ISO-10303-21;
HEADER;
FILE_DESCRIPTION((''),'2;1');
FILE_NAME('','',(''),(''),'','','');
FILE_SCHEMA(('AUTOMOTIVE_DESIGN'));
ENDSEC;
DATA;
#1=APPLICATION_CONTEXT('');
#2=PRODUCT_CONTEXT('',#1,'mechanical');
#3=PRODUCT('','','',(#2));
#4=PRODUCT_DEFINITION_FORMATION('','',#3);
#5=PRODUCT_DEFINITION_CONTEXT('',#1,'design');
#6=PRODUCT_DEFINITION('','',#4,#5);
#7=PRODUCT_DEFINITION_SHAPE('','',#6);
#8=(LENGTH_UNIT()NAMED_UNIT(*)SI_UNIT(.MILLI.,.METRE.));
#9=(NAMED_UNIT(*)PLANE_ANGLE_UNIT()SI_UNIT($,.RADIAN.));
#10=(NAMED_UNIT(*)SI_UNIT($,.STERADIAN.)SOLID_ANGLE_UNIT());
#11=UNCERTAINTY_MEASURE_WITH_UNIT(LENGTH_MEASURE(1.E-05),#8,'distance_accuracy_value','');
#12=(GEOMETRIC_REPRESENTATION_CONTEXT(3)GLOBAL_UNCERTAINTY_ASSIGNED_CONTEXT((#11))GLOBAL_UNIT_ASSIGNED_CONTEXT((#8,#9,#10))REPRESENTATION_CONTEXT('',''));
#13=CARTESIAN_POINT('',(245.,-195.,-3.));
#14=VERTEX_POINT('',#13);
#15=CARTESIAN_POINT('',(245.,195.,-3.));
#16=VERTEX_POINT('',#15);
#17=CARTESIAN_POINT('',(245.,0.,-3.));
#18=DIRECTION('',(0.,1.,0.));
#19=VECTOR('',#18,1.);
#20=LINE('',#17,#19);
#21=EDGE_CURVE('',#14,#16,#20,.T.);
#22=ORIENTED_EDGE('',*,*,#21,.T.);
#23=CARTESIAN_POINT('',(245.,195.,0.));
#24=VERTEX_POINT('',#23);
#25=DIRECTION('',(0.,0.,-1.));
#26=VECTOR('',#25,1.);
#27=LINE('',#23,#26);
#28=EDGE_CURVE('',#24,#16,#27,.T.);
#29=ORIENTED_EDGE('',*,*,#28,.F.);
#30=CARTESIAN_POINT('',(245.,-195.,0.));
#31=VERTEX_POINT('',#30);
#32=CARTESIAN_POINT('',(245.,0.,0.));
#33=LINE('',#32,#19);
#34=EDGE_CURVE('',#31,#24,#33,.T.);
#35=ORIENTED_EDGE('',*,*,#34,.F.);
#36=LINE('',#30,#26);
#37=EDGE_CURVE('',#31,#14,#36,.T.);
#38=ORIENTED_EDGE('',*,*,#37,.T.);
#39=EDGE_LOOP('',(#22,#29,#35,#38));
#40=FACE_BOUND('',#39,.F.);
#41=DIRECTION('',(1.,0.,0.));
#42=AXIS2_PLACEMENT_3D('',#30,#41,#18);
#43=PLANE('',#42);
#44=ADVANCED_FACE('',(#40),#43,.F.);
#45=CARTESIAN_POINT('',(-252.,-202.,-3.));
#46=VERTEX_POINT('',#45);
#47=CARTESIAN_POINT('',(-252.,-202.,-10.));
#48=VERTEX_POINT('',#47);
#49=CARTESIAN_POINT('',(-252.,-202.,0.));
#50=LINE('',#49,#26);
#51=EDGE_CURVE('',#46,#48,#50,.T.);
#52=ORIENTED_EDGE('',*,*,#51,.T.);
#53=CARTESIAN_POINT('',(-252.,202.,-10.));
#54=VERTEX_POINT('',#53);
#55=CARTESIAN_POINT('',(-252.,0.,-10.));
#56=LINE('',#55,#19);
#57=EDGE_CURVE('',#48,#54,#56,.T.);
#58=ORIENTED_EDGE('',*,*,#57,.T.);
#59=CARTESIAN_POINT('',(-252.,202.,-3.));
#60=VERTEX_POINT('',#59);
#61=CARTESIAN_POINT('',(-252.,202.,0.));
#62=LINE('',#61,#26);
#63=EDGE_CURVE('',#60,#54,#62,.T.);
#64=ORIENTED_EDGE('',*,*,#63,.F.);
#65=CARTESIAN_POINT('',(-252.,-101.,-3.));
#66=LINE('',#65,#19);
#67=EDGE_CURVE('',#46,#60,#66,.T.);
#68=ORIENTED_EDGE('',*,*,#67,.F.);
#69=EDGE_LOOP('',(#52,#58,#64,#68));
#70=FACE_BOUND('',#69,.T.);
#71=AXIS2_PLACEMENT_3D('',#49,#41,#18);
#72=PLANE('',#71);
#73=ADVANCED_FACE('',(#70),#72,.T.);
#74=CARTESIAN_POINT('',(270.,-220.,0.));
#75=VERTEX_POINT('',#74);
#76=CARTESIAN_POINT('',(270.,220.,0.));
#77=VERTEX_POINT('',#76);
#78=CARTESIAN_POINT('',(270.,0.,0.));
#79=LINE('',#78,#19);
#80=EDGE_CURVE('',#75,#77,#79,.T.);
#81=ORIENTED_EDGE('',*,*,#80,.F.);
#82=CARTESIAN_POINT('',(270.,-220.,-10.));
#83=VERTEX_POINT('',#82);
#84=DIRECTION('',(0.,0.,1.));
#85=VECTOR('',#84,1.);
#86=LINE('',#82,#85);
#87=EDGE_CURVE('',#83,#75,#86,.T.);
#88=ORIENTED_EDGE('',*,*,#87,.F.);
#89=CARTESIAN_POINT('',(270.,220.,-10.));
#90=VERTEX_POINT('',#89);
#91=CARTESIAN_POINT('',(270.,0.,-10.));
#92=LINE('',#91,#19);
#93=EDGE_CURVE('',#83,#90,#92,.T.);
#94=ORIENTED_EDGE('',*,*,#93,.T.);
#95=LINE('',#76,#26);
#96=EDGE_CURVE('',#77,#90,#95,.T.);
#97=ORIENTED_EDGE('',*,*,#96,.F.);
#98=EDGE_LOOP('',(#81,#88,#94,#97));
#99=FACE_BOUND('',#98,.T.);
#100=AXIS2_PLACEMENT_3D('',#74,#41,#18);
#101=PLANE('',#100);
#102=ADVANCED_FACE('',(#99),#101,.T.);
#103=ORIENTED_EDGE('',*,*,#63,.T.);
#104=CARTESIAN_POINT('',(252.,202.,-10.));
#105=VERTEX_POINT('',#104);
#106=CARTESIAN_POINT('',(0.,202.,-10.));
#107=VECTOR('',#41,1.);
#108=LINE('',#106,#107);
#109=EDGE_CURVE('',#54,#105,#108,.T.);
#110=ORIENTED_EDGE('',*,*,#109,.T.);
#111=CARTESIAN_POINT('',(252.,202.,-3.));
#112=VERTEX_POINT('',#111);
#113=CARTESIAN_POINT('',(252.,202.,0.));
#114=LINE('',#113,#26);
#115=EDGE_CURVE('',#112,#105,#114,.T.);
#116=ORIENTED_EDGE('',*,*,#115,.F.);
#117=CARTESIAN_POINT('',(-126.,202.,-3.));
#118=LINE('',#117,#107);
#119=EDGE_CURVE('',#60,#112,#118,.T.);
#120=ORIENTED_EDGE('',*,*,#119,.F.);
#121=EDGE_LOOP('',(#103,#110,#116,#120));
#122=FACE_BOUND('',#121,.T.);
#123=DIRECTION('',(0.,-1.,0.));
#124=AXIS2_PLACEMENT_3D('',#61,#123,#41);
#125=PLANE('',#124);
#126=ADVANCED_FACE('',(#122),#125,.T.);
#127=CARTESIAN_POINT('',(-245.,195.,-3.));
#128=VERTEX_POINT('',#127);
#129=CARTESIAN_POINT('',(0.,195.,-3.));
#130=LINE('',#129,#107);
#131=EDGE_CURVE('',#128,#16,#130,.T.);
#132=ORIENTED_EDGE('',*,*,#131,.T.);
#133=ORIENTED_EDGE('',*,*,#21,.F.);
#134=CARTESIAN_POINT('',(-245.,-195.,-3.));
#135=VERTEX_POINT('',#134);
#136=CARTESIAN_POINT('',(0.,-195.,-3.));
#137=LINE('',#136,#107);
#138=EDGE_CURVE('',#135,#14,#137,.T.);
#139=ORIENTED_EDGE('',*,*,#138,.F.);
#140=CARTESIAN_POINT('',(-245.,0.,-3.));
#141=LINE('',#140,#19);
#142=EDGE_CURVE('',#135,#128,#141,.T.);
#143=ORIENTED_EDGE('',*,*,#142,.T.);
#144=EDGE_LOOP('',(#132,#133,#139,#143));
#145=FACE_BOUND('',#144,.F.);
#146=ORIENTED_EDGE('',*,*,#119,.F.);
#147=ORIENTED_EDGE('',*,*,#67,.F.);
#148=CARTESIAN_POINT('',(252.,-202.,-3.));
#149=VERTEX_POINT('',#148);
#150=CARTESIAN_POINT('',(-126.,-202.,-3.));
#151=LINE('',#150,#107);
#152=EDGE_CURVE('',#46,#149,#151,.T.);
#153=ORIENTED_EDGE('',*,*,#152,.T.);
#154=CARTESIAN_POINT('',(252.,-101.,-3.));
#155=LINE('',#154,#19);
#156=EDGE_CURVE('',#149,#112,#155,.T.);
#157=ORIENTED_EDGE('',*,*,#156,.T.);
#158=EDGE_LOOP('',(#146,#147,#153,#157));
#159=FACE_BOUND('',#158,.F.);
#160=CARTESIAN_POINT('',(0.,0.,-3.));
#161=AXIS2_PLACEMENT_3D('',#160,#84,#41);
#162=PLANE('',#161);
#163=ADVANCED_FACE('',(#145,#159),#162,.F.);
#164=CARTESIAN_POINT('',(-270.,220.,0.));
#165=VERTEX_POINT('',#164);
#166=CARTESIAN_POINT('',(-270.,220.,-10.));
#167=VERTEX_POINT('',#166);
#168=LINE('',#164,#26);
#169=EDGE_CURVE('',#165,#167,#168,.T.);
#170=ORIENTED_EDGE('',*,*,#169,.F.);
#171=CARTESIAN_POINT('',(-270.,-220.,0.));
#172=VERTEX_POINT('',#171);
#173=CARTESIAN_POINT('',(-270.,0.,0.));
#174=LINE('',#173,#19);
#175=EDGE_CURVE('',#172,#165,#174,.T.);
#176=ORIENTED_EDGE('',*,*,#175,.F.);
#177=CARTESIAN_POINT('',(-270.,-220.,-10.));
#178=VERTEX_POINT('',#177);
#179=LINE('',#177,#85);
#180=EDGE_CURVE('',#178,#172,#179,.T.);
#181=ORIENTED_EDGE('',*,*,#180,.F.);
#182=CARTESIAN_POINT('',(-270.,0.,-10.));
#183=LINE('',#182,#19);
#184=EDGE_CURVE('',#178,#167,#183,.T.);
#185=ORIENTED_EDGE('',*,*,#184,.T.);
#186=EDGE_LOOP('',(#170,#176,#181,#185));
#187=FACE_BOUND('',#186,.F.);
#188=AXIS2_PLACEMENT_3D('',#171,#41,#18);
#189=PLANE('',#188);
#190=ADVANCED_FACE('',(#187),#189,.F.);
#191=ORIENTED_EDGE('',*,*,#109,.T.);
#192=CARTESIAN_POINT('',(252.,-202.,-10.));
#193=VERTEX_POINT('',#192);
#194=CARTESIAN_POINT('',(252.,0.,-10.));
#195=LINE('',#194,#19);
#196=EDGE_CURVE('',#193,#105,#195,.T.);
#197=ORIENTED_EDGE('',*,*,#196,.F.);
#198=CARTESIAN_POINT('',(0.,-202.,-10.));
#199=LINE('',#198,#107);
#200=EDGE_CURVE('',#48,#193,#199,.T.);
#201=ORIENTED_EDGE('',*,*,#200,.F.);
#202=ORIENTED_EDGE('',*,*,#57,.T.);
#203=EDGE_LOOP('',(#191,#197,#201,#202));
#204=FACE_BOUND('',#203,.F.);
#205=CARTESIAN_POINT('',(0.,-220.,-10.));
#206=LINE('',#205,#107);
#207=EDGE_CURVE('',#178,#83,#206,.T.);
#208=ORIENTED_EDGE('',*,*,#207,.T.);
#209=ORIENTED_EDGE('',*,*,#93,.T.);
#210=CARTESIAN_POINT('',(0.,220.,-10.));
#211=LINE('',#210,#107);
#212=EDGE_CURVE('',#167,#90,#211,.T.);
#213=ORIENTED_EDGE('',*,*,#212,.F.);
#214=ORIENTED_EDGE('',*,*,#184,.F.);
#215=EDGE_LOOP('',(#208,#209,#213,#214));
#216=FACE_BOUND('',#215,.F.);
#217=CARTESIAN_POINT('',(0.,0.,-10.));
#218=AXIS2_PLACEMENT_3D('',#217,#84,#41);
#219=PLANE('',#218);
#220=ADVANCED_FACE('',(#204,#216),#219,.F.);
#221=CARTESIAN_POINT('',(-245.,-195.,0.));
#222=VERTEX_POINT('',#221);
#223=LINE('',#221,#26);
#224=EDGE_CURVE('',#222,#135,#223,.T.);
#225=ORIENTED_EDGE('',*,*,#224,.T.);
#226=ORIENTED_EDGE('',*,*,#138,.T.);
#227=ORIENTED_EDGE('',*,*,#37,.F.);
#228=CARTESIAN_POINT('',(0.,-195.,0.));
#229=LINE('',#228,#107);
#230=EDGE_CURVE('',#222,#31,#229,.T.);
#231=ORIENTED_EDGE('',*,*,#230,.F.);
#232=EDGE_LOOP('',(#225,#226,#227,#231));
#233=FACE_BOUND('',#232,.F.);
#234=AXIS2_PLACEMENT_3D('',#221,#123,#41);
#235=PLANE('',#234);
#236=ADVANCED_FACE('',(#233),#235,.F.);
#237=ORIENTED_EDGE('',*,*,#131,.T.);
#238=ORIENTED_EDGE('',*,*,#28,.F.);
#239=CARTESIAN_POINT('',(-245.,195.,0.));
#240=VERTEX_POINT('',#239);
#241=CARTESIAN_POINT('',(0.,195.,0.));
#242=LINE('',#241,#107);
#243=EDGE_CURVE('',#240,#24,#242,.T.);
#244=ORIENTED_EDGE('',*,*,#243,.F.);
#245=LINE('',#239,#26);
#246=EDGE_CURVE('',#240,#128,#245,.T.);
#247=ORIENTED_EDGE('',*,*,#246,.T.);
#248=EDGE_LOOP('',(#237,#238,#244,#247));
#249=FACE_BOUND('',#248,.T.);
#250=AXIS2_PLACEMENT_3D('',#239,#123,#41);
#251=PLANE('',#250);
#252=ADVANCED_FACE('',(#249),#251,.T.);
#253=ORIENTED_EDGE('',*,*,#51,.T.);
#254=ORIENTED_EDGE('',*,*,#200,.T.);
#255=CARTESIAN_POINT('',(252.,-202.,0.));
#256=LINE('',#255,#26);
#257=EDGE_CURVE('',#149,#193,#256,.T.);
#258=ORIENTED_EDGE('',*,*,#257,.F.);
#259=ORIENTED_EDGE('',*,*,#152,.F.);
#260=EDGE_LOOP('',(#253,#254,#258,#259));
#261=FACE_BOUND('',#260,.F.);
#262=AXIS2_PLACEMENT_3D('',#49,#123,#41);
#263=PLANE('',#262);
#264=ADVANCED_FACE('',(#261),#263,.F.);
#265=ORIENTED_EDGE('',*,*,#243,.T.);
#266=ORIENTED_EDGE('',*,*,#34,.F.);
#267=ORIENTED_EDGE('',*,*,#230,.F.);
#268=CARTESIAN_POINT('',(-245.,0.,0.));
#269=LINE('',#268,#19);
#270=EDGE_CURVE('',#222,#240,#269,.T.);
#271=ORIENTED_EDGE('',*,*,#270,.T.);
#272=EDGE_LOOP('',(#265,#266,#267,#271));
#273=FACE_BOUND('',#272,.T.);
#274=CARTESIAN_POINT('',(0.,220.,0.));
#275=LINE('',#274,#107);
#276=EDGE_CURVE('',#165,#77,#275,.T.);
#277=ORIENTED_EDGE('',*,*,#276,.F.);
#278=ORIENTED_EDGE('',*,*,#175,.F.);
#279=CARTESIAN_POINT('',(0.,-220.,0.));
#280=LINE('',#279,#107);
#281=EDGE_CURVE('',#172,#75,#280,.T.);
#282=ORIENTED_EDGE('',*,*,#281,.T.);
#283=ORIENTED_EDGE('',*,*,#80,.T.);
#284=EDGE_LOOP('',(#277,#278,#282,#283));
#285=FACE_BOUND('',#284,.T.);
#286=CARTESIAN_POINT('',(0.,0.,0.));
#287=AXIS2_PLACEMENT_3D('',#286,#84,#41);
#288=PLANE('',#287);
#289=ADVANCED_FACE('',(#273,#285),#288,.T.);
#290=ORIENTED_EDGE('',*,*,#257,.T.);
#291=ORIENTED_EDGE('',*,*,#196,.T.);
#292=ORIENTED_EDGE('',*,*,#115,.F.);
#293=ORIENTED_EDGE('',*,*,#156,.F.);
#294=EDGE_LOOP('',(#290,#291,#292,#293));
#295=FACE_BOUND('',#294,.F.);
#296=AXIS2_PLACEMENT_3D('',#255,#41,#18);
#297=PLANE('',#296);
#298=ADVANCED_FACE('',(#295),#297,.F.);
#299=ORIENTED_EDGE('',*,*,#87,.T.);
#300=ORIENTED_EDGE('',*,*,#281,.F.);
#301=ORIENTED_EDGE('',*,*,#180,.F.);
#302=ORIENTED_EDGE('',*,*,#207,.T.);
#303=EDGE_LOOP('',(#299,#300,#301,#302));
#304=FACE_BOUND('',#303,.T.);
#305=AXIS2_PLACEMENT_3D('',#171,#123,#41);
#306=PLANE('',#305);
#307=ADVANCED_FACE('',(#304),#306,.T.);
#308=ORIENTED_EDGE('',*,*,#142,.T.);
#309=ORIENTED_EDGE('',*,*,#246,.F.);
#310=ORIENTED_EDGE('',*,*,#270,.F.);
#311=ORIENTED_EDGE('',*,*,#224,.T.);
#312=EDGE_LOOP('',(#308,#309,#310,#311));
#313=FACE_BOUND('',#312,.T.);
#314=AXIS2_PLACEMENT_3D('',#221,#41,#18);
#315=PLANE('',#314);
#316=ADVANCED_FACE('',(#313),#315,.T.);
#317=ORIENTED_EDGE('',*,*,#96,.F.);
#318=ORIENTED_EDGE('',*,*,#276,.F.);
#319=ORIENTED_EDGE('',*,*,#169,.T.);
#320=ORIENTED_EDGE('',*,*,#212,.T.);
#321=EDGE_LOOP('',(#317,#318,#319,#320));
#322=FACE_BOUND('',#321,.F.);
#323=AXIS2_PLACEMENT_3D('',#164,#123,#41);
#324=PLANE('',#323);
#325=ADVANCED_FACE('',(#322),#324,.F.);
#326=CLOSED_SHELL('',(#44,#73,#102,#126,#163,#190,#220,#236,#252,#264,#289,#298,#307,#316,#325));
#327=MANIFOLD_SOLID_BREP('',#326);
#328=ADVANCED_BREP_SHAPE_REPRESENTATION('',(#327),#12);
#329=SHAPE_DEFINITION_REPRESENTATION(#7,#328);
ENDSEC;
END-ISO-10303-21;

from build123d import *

# Parameters (mm, degrees)
F0_W     = 540
F0_H     = 440
F0_W_2   = 504
F0_H_2   = 404
F0_W_3   = 490
F0_H_3   = 390
F1_DEPTH = 3
F2_DEPTH = 10


with BuildPart() as f1:
    # F0 (on Top) → F1 (new body)
    with BuildSketch(Plane.XY):
        Rectangle(F0_W, F0_H)
        Rectangle(F0_W_2, F0_H_2, mode=Mode.SUBTRACT)
        Rectangle(F0_W_2, F0_H_2)
        Rectangle(F0_W_3, F0_H_3, mode=Mode.SUBTRACT)
    extrude(amount=-F1_DEPTH)

    # F0 (on Top) → F2 (join)
    with BuildSketch(Plane.XY):
        Rectangle(F0_W, F0_H)
        Rectangle(F0_W_2, F0_H_2, mode=Mode.SUBTRACT)
    extrude(amount=-F2_DEPTH)


solid = f1.part
